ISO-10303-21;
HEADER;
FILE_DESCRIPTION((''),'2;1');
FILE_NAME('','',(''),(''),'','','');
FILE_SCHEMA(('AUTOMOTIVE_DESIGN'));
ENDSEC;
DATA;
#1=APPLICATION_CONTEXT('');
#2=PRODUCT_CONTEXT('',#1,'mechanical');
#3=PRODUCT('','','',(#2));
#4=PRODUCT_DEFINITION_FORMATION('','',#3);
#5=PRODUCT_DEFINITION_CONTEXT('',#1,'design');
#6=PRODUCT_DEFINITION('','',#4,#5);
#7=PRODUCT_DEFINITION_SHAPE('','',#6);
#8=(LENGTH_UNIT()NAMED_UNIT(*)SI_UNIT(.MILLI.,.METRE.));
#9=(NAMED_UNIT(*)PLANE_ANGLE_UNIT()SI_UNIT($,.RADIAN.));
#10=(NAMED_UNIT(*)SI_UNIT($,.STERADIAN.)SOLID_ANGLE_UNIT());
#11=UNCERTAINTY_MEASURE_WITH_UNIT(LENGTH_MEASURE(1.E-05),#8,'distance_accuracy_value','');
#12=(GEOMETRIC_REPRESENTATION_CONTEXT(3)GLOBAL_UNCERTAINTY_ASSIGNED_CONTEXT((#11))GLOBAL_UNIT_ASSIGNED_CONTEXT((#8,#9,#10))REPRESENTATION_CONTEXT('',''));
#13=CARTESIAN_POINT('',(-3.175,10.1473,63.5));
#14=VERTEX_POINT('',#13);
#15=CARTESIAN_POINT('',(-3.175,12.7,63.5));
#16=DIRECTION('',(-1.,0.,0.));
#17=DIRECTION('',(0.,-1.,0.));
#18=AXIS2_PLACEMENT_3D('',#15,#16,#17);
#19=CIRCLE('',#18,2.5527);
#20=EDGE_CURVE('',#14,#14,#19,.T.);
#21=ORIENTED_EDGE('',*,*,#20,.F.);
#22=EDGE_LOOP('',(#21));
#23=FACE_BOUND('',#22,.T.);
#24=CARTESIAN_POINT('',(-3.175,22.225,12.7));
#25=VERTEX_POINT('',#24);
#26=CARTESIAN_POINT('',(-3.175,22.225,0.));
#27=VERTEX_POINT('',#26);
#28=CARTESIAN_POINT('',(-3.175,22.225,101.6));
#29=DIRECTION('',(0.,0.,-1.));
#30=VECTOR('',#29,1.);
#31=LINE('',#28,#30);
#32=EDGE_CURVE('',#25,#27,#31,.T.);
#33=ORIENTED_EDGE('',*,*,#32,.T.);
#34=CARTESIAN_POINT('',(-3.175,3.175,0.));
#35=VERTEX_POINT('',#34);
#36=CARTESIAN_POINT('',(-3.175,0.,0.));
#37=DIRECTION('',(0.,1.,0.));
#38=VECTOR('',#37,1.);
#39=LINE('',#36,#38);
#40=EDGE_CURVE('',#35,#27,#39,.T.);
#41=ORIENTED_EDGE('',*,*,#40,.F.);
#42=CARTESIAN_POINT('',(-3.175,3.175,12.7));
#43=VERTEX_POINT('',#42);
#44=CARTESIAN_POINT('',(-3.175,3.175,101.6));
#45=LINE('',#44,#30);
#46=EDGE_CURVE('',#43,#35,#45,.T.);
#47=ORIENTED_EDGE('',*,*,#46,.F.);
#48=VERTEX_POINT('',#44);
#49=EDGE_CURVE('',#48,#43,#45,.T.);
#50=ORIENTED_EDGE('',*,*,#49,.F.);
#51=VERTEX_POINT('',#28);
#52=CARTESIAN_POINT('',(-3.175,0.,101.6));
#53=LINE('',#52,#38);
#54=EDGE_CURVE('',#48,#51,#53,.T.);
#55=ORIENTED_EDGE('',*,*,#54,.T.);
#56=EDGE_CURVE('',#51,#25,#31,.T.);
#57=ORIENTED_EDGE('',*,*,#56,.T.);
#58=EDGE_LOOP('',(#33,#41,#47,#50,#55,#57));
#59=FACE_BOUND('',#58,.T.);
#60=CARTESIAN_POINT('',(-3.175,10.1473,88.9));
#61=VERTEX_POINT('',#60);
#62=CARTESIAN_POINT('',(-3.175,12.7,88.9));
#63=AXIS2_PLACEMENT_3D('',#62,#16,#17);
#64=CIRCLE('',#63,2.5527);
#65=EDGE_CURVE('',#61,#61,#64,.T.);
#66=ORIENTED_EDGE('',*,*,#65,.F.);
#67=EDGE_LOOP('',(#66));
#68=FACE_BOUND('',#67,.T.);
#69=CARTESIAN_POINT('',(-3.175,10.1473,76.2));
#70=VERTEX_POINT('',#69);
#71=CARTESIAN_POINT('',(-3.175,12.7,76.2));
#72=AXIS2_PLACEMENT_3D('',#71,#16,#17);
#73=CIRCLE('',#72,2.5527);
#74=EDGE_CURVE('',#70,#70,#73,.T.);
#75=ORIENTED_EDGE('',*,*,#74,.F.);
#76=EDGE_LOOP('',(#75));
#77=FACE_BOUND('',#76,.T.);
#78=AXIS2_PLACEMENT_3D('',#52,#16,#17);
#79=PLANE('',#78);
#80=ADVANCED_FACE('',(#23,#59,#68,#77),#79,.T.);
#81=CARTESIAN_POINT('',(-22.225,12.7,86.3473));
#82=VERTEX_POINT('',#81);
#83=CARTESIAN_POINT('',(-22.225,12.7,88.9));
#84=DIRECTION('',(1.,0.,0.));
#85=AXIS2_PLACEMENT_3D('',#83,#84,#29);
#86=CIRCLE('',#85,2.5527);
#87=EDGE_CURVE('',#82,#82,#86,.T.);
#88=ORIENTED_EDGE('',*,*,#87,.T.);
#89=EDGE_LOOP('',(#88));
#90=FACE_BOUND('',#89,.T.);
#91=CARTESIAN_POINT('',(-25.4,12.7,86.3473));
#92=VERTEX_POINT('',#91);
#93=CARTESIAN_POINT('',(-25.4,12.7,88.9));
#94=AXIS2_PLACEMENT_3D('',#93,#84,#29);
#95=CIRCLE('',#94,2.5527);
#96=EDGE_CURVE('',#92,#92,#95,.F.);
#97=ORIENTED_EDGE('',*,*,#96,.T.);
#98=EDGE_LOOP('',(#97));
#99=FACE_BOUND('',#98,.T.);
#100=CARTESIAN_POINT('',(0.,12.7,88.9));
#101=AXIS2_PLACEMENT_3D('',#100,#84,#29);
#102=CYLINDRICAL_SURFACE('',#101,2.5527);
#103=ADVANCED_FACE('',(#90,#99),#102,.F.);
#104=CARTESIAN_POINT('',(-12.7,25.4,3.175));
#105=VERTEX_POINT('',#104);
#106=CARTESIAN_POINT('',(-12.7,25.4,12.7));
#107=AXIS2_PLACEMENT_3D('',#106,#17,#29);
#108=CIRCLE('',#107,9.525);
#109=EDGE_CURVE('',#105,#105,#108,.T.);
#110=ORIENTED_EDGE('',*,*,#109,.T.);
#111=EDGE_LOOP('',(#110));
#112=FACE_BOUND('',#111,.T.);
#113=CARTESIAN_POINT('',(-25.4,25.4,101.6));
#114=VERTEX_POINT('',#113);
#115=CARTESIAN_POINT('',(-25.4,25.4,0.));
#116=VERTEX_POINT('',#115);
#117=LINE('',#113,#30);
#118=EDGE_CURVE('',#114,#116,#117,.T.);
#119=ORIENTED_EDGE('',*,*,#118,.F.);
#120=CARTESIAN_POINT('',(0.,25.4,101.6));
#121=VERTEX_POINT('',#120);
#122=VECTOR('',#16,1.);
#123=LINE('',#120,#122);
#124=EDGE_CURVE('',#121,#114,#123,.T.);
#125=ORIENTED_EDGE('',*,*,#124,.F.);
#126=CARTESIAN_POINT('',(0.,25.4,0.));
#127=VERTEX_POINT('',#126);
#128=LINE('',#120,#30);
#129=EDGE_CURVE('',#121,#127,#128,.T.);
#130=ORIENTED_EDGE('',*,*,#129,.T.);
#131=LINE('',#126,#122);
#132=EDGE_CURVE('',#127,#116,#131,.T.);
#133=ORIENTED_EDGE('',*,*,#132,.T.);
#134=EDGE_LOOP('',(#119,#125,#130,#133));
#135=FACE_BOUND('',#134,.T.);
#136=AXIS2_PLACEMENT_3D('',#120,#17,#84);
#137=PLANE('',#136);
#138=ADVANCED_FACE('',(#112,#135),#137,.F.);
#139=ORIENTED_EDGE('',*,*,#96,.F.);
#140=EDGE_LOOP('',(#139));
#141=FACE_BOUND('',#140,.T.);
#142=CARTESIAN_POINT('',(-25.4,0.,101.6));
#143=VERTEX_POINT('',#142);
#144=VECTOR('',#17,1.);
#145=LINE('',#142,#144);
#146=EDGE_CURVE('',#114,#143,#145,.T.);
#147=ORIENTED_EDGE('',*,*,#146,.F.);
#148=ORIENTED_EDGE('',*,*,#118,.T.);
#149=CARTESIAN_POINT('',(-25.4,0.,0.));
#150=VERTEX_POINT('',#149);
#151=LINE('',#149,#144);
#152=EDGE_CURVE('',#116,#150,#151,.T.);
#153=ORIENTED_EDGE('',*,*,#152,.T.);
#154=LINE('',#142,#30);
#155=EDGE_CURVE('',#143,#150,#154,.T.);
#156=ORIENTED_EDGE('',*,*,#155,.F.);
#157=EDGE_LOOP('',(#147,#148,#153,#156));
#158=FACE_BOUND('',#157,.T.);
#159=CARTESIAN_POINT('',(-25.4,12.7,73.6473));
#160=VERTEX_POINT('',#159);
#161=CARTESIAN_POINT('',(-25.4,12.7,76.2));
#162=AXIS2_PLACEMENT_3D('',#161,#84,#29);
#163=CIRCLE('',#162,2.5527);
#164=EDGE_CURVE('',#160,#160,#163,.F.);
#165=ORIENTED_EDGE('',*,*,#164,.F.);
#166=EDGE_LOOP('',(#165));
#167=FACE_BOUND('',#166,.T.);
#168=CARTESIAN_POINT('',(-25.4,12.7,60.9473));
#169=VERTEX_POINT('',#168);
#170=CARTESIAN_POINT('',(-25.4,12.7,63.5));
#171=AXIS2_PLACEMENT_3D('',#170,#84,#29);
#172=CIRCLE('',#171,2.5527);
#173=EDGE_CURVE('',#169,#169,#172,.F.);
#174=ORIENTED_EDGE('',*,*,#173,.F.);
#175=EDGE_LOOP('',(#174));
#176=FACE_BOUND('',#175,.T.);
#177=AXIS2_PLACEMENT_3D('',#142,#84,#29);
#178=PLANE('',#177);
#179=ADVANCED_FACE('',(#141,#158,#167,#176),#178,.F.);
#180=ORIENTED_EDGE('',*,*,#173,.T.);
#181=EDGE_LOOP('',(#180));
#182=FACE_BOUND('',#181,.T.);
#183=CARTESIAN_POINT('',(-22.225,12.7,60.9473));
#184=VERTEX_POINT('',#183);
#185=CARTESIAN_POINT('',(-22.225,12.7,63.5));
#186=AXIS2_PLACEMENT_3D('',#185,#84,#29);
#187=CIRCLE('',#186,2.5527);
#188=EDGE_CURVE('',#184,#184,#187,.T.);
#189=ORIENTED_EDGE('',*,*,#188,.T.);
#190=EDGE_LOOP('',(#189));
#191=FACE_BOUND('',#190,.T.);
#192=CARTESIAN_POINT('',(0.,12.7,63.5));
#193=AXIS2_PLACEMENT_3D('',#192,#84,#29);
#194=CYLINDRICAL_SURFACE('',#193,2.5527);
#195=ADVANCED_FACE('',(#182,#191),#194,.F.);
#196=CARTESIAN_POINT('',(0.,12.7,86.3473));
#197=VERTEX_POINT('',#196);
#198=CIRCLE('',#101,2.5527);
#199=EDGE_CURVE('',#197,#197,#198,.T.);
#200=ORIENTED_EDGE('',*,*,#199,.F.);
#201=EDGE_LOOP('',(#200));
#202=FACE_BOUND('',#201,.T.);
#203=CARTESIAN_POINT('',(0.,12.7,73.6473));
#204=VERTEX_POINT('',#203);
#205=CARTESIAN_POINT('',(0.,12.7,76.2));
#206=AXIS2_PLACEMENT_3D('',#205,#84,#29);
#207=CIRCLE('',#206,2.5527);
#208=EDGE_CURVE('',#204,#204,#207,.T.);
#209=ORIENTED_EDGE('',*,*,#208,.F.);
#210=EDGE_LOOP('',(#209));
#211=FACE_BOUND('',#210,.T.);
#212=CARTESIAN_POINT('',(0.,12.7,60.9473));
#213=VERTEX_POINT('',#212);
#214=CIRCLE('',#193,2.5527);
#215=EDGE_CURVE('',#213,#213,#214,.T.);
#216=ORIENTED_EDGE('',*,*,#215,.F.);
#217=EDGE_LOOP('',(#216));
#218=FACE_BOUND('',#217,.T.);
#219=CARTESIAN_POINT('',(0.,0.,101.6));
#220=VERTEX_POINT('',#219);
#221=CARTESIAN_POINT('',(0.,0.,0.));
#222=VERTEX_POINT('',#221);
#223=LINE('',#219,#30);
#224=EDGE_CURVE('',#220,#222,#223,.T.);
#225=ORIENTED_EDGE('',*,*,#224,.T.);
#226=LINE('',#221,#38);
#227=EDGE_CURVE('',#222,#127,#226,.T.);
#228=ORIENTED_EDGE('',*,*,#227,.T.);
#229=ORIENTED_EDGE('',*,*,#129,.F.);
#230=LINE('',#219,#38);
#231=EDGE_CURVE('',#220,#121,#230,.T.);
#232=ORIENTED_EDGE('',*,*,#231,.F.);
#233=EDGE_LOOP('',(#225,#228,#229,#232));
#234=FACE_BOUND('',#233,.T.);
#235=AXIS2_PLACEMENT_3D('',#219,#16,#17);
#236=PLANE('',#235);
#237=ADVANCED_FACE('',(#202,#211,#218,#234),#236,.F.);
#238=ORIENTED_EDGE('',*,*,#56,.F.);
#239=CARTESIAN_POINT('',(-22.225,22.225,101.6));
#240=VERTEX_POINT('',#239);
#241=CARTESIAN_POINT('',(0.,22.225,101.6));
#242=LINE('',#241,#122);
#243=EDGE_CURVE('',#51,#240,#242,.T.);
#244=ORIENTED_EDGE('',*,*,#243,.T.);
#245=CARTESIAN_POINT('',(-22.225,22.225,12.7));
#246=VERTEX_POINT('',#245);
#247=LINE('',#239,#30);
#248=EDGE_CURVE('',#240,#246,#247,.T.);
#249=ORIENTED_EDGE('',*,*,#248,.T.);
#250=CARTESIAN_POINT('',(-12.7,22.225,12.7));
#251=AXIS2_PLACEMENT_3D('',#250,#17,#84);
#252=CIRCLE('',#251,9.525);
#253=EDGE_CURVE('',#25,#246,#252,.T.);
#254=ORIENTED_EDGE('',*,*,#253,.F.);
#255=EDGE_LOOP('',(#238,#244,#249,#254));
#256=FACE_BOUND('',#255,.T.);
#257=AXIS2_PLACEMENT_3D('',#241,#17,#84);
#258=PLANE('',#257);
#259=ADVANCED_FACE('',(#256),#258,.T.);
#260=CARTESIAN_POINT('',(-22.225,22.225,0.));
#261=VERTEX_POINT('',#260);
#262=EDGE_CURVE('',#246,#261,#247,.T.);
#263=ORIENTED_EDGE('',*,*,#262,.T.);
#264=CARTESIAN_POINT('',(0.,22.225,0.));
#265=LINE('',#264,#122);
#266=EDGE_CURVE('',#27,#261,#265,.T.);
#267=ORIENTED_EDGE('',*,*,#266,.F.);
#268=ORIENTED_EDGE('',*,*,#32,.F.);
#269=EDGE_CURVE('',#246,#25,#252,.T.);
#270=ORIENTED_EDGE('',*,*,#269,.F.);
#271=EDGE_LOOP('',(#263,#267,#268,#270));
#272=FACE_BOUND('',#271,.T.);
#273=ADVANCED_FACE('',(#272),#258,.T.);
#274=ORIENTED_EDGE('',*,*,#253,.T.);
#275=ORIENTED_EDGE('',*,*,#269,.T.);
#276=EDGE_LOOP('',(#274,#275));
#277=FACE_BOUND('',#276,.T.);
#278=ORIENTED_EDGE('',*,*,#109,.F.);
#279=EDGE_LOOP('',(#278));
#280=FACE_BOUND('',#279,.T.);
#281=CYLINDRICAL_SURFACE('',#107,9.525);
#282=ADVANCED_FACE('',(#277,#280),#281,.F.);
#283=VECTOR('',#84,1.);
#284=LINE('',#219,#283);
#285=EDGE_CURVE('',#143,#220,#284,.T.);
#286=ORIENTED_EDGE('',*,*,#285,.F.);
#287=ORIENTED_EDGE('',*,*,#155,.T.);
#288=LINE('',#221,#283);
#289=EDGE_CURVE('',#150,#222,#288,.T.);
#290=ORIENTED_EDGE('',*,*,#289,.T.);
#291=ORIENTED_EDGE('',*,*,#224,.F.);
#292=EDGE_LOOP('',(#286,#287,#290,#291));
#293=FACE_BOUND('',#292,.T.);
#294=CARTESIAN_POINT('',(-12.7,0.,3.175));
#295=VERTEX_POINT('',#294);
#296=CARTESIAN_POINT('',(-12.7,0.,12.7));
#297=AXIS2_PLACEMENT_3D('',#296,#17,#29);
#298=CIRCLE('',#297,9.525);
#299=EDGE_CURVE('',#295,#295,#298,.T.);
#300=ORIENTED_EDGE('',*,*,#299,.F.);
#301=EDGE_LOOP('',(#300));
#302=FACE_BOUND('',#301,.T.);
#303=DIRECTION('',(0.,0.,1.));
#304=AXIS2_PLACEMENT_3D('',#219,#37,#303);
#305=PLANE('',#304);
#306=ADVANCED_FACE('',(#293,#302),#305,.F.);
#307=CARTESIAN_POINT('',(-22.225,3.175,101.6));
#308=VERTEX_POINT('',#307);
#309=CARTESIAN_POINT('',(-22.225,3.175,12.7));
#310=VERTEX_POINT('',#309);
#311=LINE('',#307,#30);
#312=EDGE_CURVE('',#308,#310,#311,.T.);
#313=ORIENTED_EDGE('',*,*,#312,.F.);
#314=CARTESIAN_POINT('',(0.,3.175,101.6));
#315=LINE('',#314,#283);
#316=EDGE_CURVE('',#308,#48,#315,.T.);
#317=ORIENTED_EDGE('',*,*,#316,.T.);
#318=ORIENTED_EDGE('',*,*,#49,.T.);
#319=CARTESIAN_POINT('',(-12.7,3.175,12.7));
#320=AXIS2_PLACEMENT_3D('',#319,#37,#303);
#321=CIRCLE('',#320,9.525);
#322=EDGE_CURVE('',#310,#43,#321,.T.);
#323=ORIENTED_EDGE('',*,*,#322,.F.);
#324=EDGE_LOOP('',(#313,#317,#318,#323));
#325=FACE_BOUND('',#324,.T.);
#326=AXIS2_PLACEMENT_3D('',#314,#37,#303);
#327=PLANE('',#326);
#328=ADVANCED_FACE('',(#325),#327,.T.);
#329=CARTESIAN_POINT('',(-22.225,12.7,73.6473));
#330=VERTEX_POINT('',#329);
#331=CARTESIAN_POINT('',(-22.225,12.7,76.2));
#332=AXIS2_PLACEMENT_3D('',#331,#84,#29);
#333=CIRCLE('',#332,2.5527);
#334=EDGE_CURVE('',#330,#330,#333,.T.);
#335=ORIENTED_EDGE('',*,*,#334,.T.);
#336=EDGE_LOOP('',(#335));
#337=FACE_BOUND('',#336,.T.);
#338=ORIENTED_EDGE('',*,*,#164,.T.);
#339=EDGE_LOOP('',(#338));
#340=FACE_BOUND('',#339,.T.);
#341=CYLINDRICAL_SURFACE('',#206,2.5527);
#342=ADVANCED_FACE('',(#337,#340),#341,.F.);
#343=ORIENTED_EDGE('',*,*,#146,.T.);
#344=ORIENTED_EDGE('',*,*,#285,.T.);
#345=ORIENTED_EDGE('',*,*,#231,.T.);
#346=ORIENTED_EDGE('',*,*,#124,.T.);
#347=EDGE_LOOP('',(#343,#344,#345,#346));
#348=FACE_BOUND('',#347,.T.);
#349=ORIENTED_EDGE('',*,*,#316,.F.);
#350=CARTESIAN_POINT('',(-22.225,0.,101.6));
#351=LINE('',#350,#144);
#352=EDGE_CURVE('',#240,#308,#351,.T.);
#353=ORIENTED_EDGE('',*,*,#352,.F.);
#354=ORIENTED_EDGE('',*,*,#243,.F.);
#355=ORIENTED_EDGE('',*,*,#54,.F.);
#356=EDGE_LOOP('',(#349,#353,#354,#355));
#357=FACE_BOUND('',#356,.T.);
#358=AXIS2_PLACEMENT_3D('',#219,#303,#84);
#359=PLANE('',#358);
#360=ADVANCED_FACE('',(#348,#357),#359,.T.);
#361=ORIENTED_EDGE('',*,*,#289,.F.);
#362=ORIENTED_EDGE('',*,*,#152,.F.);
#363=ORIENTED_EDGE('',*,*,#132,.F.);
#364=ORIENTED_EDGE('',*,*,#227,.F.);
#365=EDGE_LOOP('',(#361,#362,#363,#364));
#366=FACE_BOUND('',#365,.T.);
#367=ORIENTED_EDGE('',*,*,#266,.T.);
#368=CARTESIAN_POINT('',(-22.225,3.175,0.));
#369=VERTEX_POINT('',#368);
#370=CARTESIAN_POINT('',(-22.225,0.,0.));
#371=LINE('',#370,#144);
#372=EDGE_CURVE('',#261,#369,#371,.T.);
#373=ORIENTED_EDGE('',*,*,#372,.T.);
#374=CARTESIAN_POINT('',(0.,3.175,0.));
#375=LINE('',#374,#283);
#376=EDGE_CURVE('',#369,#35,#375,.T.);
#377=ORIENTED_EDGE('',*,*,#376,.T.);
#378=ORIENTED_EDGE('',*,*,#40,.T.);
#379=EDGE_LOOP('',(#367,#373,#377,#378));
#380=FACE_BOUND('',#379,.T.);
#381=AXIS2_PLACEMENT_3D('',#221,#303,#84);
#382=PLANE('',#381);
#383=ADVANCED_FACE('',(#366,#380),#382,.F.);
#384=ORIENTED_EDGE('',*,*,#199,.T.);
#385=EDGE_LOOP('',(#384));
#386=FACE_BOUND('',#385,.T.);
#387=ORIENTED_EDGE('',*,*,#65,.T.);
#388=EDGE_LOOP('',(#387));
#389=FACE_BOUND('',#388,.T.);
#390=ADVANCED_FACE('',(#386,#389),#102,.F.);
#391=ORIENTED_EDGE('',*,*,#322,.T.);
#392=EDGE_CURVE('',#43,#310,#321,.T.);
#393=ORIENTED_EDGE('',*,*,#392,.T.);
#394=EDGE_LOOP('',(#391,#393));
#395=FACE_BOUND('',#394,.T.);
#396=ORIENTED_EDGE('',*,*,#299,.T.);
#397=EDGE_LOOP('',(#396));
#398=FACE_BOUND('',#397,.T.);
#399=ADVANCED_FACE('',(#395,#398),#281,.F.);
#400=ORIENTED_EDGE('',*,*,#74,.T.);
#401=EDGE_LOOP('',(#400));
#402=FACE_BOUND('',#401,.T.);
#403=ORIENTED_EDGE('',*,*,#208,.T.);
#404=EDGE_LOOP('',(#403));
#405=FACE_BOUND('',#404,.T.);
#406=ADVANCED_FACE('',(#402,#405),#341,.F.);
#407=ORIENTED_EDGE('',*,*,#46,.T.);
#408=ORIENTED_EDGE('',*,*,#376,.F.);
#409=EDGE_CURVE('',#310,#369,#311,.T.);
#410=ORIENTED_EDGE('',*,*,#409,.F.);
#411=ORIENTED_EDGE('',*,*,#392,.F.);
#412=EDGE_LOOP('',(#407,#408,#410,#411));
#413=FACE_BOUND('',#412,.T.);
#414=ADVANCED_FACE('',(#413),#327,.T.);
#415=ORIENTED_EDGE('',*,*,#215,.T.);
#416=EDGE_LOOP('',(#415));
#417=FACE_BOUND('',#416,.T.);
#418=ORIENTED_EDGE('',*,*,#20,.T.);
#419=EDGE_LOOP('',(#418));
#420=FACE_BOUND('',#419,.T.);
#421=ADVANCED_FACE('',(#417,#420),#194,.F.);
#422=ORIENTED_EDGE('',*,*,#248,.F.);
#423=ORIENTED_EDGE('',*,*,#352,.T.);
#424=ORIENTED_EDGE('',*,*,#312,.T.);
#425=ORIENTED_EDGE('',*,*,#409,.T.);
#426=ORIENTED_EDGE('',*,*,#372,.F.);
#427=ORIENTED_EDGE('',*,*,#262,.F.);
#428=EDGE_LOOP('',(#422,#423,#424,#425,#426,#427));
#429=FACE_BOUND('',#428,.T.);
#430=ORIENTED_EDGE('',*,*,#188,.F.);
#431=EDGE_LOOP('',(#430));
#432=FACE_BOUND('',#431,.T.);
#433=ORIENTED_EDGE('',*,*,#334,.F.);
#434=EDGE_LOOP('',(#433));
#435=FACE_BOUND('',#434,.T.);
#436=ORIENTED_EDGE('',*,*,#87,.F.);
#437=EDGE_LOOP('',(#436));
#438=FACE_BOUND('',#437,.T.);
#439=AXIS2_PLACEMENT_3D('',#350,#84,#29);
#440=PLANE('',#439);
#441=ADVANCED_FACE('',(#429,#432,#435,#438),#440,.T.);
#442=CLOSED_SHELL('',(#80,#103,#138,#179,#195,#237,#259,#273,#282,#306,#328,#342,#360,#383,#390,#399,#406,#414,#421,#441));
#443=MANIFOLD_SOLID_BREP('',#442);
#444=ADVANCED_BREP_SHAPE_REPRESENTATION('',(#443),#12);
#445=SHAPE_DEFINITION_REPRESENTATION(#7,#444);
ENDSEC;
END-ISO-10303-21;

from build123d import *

# Parameters (mm, degrees)
SKETCH1_W              = 25.4
SKETCH1_H              = 25.4
SKETCH1_W_2            = 19.05
SKETCH1_H_2            = 19.05
EXTRUDE_THIN1_DEPTH    = 101.6
SKETCH2_R              = 9.525
CUT_EXTRUDE1_DEPTH     = 108.763073453
F_10_CLEARANCE_HOLE1_D = 5.1054


with BuildPart() as part:
    # Sketch1 → Extrude-Thin1 (new body)
    with BuildSketch(Plane.XY):
        with Locations((-12.7, 12.7)):
            Rectangle(SKETCH1_W, SKETCH1_H)
        with Locations((-12.7, 12.7)):
            Rectangle(SKETCH1_W_2, SKETCH1_H_2, mode=Mode.SUBTRACT)
    extrude(amount=EXTRUDE_THIN1_DEPTH)

    # Sketch2 → Cut-Extrude1 (cut, through all)
    with BuildSketch(Plane(origin=(0, 0, 0), x_dir=(-1, 0, 0), z_dir=(0, -1, 0))):
        with Locations(Location((12.7, -12.7, 0), (0, 0, 90))):
            Circle(SKETCH2_R)
    extrude(amount=-CUT_EXTRUDE1_DEPTH, mode=Mode.SUBTRACT)

    # #10 Clearance Hole1 (through all)
    with Locations(Plane(origin=(0, 0, 0), x_dir=(0, 0, -1), z_dir=(1, 0, 0))):
        with Locations((-76.2, 12.7), (-88.9, 12.7), (-63.5, 12.7)):
            Hole(F_10_CLEARANCE_HOLE1_D / 2)


solid = part.part
